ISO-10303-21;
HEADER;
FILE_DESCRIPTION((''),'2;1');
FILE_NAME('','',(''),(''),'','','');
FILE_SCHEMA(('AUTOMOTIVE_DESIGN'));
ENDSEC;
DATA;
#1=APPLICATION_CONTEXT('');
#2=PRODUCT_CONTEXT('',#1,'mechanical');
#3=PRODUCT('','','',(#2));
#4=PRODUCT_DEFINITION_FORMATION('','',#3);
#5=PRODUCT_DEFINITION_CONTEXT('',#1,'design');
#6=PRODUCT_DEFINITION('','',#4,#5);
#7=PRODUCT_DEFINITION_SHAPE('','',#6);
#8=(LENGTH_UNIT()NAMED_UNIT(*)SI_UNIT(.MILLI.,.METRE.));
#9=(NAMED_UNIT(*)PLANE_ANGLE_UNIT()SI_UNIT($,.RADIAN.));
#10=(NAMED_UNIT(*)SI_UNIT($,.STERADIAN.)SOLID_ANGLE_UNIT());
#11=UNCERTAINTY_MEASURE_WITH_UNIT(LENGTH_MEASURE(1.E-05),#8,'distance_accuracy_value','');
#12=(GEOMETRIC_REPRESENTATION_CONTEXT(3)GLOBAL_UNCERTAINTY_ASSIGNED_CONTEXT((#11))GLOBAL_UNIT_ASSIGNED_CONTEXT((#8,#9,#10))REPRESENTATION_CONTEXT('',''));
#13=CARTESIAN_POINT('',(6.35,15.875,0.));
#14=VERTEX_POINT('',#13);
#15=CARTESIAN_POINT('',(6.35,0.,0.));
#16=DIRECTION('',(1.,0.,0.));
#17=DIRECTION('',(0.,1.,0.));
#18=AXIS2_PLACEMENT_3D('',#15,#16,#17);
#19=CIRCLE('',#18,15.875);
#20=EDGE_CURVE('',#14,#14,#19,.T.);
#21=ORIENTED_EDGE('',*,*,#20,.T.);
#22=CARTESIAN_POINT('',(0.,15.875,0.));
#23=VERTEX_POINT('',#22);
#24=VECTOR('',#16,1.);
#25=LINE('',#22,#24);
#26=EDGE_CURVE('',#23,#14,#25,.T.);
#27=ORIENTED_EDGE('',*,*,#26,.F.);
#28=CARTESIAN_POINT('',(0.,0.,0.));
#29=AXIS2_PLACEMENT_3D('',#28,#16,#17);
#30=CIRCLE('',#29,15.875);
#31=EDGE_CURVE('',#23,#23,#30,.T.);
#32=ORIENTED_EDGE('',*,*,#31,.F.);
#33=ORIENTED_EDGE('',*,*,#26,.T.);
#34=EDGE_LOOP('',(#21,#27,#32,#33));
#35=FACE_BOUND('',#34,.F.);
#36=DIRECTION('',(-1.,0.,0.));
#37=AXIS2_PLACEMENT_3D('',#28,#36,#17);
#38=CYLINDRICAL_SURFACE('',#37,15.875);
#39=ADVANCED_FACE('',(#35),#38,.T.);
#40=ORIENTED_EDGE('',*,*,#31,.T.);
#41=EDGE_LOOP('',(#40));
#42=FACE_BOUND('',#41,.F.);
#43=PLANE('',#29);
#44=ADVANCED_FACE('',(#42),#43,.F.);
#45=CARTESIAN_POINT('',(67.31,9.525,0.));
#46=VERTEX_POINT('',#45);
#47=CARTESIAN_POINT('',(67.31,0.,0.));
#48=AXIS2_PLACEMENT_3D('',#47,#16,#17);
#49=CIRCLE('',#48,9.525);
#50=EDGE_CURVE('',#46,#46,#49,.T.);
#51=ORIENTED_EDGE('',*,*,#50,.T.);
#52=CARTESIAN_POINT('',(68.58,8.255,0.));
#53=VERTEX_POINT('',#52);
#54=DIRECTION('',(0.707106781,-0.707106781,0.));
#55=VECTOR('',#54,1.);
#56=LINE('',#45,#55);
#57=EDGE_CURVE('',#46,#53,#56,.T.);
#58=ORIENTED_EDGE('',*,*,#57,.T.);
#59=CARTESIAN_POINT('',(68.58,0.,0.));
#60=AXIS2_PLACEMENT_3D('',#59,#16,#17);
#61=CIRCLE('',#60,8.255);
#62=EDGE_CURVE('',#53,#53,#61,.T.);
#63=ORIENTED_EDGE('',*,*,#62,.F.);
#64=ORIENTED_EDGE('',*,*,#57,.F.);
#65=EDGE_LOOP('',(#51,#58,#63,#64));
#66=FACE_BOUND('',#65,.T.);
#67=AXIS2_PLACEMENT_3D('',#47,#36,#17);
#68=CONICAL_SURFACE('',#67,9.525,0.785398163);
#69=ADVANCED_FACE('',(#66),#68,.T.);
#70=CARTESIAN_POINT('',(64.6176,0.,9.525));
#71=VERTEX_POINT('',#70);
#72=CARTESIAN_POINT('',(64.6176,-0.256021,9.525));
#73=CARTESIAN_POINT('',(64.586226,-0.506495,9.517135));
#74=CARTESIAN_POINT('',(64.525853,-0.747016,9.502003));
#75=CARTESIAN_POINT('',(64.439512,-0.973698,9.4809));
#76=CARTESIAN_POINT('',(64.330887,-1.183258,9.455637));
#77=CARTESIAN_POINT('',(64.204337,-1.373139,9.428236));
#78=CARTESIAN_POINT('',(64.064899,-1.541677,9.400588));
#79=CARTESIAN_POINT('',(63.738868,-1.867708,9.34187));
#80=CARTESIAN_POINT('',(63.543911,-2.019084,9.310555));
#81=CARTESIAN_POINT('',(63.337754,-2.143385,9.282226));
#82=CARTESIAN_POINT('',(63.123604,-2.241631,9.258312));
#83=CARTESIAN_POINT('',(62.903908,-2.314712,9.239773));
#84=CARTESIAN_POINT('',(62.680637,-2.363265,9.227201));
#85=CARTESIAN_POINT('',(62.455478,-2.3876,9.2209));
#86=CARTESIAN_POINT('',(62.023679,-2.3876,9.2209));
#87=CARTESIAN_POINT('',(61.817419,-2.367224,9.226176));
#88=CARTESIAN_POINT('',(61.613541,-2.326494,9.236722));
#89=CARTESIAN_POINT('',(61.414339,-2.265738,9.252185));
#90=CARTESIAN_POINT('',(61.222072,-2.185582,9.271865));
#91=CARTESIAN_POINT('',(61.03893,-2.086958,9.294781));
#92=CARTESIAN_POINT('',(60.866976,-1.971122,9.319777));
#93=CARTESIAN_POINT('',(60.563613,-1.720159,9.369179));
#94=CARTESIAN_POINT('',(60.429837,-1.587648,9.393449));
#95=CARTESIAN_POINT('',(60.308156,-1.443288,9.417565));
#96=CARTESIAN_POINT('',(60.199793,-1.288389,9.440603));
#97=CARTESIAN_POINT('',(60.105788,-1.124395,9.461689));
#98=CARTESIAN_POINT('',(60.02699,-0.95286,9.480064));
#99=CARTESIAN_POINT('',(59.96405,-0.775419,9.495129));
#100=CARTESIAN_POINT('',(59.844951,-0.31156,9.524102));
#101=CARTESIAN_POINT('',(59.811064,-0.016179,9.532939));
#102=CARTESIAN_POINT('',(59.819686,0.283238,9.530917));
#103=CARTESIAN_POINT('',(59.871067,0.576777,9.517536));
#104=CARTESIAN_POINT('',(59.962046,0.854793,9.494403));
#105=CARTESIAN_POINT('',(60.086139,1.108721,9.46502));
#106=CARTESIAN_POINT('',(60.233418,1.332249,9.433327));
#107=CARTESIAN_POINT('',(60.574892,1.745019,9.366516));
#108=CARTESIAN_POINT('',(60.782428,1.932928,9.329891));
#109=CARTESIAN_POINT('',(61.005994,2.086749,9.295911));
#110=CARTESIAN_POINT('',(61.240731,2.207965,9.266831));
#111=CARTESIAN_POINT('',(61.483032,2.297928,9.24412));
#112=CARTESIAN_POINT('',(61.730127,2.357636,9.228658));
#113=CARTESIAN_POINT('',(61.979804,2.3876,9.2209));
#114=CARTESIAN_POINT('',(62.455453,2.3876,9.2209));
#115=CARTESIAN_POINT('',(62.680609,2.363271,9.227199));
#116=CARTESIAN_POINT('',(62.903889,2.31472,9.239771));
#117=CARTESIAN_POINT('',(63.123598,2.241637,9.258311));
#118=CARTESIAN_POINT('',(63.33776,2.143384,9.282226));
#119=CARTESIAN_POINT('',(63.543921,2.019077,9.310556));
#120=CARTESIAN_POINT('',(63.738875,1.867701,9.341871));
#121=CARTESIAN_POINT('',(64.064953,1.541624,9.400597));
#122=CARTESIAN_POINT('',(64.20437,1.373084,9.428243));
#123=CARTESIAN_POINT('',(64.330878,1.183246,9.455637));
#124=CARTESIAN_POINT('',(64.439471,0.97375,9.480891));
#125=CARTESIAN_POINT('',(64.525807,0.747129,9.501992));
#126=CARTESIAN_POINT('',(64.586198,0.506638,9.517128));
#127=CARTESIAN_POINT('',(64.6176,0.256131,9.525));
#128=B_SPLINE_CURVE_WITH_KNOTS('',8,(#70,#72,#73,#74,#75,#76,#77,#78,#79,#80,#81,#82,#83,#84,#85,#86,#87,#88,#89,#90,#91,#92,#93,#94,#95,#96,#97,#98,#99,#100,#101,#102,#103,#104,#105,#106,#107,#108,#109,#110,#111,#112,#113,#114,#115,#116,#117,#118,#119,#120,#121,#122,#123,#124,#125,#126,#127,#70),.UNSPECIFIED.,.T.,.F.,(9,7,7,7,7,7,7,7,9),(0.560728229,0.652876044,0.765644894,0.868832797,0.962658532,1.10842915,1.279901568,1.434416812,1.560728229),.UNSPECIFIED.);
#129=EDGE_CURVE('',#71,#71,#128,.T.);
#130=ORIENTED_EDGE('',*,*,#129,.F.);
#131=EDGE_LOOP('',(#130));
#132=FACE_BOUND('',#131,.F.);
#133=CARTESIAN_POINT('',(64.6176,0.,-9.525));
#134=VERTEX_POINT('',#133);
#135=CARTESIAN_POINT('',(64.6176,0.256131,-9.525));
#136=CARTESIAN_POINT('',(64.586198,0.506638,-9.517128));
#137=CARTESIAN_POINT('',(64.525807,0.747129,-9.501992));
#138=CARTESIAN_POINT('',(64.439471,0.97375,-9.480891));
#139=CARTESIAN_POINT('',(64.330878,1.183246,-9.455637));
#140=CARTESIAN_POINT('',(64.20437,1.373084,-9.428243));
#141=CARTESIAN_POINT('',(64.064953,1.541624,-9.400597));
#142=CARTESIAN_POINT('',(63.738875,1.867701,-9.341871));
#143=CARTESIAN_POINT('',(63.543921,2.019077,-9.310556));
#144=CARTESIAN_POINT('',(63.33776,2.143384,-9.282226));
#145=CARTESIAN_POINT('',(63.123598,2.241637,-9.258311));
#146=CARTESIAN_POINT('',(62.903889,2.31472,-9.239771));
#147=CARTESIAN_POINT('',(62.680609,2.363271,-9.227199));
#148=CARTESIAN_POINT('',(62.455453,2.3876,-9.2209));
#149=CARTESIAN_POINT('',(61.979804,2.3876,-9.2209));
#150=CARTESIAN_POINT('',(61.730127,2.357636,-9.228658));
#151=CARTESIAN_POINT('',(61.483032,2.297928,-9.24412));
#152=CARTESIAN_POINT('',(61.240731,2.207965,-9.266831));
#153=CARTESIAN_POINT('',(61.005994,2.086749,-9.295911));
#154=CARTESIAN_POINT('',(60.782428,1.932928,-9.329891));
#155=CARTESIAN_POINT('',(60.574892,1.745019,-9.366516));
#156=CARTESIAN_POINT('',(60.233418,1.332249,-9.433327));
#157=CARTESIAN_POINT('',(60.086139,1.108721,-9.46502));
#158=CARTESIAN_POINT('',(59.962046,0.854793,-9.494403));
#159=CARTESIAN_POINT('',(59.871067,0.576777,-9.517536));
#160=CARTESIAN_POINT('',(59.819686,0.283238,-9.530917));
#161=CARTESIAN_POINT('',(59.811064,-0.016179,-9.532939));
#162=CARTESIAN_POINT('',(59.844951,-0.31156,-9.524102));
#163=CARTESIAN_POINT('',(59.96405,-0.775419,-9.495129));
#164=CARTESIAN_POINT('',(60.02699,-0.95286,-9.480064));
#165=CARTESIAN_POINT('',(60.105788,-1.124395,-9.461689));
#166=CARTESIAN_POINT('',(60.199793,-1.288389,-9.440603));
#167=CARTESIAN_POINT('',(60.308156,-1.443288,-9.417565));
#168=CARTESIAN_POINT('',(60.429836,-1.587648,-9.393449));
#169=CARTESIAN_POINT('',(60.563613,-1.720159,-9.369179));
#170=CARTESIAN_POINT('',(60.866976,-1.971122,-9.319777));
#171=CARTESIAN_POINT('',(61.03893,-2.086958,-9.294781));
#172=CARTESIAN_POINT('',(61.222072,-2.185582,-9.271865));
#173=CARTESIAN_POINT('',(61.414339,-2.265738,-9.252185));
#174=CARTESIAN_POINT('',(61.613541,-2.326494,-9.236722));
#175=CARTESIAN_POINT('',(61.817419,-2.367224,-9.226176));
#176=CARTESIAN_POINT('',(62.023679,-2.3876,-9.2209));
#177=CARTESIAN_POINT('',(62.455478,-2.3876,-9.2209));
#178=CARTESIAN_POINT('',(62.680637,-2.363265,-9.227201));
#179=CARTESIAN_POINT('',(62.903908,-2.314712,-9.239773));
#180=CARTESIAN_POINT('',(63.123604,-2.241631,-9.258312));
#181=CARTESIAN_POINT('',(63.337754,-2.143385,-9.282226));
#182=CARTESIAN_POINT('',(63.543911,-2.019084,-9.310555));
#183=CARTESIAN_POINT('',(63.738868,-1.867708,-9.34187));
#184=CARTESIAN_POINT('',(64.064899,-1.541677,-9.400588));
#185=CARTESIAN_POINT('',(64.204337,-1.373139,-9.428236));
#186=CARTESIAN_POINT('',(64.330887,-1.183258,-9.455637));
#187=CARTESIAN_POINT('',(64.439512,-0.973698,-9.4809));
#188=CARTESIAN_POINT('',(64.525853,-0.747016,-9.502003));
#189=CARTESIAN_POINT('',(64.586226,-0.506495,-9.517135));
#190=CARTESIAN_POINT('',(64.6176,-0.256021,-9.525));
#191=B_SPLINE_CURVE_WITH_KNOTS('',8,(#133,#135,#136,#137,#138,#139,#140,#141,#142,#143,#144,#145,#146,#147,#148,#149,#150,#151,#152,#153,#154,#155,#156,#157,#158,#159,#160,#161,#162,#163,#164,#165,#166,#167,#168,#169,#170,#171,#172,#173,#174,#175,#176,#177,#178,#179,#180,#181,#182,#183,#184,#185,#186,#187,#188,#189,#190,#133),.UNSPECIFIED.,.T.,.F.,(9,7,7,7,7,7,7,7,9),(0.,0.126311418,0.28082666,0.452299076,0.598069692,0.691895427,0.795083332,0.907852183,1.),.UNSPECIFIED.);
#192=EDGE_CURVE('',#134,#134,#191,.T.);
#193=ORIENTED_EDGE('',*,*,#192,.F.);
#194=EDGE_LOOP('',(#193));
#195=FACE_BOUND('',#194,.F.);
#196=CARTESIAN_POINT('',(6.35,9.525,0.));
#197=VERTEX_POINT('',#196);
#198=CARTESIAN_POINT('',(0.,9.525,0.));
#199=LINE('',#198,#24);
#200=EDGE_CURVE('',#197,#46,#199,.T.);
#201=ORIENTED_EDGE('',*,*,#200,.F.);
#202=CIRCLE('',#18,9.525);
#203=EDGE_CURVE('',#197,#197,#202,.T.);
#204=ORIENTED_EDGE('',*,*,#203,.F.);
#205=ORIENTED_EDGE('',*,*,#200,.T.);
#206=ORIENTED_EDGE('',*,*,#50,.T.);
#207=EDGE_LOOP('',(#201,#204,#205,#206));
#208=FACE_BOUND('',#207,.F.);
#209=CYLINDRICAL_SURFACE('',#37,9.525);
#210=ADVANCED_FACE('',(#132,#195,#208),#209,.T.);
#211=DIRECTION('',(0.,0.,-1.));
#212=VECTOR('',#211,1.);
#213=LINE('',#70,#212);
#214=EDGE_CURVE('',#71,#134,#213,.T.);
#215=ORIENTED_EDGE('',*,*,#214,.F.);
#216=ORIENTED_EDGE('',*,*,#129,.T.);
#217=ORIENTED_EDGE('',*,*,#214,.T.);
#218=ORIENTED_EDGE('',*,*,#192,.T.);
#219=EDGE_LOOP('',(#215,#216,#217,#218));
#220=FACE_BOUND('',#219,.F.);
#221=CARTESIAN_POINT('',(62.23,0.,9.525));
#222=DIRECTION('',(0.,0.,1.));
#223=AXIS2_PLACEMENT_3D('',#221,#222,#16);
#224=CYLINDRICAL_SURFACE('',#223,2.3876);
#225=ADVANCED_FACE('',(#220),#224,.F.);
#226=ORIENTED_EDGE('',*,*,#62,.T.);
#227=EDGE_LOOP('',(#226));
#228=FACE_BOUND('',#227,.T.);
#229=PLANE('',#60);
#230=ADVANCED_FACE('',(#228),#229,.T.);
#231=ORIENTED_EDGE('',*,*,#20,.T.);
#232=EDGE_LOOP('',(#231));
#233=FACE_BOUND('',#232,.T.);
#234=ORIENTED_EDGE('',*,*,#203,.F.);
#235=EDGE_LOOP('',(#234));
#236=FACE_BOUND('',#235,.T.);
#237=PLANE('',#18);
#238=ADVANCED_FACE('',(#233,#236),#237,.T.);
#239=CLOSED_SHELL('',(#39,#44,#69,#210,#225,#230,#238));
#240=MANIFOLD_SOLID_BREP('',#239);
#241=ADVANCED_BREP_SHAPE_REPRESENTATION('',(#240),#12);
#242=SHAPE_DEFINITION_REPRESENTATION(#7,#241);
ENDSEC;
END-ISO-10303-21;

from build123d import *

# Parameters (mm, degrees)
F0_R     = 15.875
F0_R_2   = 9.525
F1_DEPTH = 6.35
F2_DEPTH = 68.58
F3_SIZE2 = 1.27
F3_SIZE  = 1.27
F5_R     = 2.3876
F6_DEPTH = 25.401


with BuildPart() as f1:
    # F0 (on Right) → F1 (new body)
    with BuildSketch(Plane.YZ):
        Circle(F0_R)
        Circle(F0_R_2, mode=Mode.SUBTRACT)
    extrude(amount=F1_DEPTH)

    # F0 (on Right) → F2 (join)
    with BuildSketch(Plane.YZ):
        Circle(F0_R_2)
    extrude(amount=F2_DEPTH)

    # F3
    f3_edges = [f1.edges().sort_by_distance(p)[0] for p in [
        (68.58, -9.525, 0),
    ]]
    chamfer(f3_edges, length=F3_SIZE, length2=F3_SIZE2)

    # F5 (on offset) → F6 (cut, through all)
    with BuildSketch(Plane.XY.offset(9.525)):
        with Locations((62.23, 0)):
            Circle(F5_R)
    extrude(amount=-F6_DEPTH, mode=Mode.SUBTRACT)


solid = f1.part
